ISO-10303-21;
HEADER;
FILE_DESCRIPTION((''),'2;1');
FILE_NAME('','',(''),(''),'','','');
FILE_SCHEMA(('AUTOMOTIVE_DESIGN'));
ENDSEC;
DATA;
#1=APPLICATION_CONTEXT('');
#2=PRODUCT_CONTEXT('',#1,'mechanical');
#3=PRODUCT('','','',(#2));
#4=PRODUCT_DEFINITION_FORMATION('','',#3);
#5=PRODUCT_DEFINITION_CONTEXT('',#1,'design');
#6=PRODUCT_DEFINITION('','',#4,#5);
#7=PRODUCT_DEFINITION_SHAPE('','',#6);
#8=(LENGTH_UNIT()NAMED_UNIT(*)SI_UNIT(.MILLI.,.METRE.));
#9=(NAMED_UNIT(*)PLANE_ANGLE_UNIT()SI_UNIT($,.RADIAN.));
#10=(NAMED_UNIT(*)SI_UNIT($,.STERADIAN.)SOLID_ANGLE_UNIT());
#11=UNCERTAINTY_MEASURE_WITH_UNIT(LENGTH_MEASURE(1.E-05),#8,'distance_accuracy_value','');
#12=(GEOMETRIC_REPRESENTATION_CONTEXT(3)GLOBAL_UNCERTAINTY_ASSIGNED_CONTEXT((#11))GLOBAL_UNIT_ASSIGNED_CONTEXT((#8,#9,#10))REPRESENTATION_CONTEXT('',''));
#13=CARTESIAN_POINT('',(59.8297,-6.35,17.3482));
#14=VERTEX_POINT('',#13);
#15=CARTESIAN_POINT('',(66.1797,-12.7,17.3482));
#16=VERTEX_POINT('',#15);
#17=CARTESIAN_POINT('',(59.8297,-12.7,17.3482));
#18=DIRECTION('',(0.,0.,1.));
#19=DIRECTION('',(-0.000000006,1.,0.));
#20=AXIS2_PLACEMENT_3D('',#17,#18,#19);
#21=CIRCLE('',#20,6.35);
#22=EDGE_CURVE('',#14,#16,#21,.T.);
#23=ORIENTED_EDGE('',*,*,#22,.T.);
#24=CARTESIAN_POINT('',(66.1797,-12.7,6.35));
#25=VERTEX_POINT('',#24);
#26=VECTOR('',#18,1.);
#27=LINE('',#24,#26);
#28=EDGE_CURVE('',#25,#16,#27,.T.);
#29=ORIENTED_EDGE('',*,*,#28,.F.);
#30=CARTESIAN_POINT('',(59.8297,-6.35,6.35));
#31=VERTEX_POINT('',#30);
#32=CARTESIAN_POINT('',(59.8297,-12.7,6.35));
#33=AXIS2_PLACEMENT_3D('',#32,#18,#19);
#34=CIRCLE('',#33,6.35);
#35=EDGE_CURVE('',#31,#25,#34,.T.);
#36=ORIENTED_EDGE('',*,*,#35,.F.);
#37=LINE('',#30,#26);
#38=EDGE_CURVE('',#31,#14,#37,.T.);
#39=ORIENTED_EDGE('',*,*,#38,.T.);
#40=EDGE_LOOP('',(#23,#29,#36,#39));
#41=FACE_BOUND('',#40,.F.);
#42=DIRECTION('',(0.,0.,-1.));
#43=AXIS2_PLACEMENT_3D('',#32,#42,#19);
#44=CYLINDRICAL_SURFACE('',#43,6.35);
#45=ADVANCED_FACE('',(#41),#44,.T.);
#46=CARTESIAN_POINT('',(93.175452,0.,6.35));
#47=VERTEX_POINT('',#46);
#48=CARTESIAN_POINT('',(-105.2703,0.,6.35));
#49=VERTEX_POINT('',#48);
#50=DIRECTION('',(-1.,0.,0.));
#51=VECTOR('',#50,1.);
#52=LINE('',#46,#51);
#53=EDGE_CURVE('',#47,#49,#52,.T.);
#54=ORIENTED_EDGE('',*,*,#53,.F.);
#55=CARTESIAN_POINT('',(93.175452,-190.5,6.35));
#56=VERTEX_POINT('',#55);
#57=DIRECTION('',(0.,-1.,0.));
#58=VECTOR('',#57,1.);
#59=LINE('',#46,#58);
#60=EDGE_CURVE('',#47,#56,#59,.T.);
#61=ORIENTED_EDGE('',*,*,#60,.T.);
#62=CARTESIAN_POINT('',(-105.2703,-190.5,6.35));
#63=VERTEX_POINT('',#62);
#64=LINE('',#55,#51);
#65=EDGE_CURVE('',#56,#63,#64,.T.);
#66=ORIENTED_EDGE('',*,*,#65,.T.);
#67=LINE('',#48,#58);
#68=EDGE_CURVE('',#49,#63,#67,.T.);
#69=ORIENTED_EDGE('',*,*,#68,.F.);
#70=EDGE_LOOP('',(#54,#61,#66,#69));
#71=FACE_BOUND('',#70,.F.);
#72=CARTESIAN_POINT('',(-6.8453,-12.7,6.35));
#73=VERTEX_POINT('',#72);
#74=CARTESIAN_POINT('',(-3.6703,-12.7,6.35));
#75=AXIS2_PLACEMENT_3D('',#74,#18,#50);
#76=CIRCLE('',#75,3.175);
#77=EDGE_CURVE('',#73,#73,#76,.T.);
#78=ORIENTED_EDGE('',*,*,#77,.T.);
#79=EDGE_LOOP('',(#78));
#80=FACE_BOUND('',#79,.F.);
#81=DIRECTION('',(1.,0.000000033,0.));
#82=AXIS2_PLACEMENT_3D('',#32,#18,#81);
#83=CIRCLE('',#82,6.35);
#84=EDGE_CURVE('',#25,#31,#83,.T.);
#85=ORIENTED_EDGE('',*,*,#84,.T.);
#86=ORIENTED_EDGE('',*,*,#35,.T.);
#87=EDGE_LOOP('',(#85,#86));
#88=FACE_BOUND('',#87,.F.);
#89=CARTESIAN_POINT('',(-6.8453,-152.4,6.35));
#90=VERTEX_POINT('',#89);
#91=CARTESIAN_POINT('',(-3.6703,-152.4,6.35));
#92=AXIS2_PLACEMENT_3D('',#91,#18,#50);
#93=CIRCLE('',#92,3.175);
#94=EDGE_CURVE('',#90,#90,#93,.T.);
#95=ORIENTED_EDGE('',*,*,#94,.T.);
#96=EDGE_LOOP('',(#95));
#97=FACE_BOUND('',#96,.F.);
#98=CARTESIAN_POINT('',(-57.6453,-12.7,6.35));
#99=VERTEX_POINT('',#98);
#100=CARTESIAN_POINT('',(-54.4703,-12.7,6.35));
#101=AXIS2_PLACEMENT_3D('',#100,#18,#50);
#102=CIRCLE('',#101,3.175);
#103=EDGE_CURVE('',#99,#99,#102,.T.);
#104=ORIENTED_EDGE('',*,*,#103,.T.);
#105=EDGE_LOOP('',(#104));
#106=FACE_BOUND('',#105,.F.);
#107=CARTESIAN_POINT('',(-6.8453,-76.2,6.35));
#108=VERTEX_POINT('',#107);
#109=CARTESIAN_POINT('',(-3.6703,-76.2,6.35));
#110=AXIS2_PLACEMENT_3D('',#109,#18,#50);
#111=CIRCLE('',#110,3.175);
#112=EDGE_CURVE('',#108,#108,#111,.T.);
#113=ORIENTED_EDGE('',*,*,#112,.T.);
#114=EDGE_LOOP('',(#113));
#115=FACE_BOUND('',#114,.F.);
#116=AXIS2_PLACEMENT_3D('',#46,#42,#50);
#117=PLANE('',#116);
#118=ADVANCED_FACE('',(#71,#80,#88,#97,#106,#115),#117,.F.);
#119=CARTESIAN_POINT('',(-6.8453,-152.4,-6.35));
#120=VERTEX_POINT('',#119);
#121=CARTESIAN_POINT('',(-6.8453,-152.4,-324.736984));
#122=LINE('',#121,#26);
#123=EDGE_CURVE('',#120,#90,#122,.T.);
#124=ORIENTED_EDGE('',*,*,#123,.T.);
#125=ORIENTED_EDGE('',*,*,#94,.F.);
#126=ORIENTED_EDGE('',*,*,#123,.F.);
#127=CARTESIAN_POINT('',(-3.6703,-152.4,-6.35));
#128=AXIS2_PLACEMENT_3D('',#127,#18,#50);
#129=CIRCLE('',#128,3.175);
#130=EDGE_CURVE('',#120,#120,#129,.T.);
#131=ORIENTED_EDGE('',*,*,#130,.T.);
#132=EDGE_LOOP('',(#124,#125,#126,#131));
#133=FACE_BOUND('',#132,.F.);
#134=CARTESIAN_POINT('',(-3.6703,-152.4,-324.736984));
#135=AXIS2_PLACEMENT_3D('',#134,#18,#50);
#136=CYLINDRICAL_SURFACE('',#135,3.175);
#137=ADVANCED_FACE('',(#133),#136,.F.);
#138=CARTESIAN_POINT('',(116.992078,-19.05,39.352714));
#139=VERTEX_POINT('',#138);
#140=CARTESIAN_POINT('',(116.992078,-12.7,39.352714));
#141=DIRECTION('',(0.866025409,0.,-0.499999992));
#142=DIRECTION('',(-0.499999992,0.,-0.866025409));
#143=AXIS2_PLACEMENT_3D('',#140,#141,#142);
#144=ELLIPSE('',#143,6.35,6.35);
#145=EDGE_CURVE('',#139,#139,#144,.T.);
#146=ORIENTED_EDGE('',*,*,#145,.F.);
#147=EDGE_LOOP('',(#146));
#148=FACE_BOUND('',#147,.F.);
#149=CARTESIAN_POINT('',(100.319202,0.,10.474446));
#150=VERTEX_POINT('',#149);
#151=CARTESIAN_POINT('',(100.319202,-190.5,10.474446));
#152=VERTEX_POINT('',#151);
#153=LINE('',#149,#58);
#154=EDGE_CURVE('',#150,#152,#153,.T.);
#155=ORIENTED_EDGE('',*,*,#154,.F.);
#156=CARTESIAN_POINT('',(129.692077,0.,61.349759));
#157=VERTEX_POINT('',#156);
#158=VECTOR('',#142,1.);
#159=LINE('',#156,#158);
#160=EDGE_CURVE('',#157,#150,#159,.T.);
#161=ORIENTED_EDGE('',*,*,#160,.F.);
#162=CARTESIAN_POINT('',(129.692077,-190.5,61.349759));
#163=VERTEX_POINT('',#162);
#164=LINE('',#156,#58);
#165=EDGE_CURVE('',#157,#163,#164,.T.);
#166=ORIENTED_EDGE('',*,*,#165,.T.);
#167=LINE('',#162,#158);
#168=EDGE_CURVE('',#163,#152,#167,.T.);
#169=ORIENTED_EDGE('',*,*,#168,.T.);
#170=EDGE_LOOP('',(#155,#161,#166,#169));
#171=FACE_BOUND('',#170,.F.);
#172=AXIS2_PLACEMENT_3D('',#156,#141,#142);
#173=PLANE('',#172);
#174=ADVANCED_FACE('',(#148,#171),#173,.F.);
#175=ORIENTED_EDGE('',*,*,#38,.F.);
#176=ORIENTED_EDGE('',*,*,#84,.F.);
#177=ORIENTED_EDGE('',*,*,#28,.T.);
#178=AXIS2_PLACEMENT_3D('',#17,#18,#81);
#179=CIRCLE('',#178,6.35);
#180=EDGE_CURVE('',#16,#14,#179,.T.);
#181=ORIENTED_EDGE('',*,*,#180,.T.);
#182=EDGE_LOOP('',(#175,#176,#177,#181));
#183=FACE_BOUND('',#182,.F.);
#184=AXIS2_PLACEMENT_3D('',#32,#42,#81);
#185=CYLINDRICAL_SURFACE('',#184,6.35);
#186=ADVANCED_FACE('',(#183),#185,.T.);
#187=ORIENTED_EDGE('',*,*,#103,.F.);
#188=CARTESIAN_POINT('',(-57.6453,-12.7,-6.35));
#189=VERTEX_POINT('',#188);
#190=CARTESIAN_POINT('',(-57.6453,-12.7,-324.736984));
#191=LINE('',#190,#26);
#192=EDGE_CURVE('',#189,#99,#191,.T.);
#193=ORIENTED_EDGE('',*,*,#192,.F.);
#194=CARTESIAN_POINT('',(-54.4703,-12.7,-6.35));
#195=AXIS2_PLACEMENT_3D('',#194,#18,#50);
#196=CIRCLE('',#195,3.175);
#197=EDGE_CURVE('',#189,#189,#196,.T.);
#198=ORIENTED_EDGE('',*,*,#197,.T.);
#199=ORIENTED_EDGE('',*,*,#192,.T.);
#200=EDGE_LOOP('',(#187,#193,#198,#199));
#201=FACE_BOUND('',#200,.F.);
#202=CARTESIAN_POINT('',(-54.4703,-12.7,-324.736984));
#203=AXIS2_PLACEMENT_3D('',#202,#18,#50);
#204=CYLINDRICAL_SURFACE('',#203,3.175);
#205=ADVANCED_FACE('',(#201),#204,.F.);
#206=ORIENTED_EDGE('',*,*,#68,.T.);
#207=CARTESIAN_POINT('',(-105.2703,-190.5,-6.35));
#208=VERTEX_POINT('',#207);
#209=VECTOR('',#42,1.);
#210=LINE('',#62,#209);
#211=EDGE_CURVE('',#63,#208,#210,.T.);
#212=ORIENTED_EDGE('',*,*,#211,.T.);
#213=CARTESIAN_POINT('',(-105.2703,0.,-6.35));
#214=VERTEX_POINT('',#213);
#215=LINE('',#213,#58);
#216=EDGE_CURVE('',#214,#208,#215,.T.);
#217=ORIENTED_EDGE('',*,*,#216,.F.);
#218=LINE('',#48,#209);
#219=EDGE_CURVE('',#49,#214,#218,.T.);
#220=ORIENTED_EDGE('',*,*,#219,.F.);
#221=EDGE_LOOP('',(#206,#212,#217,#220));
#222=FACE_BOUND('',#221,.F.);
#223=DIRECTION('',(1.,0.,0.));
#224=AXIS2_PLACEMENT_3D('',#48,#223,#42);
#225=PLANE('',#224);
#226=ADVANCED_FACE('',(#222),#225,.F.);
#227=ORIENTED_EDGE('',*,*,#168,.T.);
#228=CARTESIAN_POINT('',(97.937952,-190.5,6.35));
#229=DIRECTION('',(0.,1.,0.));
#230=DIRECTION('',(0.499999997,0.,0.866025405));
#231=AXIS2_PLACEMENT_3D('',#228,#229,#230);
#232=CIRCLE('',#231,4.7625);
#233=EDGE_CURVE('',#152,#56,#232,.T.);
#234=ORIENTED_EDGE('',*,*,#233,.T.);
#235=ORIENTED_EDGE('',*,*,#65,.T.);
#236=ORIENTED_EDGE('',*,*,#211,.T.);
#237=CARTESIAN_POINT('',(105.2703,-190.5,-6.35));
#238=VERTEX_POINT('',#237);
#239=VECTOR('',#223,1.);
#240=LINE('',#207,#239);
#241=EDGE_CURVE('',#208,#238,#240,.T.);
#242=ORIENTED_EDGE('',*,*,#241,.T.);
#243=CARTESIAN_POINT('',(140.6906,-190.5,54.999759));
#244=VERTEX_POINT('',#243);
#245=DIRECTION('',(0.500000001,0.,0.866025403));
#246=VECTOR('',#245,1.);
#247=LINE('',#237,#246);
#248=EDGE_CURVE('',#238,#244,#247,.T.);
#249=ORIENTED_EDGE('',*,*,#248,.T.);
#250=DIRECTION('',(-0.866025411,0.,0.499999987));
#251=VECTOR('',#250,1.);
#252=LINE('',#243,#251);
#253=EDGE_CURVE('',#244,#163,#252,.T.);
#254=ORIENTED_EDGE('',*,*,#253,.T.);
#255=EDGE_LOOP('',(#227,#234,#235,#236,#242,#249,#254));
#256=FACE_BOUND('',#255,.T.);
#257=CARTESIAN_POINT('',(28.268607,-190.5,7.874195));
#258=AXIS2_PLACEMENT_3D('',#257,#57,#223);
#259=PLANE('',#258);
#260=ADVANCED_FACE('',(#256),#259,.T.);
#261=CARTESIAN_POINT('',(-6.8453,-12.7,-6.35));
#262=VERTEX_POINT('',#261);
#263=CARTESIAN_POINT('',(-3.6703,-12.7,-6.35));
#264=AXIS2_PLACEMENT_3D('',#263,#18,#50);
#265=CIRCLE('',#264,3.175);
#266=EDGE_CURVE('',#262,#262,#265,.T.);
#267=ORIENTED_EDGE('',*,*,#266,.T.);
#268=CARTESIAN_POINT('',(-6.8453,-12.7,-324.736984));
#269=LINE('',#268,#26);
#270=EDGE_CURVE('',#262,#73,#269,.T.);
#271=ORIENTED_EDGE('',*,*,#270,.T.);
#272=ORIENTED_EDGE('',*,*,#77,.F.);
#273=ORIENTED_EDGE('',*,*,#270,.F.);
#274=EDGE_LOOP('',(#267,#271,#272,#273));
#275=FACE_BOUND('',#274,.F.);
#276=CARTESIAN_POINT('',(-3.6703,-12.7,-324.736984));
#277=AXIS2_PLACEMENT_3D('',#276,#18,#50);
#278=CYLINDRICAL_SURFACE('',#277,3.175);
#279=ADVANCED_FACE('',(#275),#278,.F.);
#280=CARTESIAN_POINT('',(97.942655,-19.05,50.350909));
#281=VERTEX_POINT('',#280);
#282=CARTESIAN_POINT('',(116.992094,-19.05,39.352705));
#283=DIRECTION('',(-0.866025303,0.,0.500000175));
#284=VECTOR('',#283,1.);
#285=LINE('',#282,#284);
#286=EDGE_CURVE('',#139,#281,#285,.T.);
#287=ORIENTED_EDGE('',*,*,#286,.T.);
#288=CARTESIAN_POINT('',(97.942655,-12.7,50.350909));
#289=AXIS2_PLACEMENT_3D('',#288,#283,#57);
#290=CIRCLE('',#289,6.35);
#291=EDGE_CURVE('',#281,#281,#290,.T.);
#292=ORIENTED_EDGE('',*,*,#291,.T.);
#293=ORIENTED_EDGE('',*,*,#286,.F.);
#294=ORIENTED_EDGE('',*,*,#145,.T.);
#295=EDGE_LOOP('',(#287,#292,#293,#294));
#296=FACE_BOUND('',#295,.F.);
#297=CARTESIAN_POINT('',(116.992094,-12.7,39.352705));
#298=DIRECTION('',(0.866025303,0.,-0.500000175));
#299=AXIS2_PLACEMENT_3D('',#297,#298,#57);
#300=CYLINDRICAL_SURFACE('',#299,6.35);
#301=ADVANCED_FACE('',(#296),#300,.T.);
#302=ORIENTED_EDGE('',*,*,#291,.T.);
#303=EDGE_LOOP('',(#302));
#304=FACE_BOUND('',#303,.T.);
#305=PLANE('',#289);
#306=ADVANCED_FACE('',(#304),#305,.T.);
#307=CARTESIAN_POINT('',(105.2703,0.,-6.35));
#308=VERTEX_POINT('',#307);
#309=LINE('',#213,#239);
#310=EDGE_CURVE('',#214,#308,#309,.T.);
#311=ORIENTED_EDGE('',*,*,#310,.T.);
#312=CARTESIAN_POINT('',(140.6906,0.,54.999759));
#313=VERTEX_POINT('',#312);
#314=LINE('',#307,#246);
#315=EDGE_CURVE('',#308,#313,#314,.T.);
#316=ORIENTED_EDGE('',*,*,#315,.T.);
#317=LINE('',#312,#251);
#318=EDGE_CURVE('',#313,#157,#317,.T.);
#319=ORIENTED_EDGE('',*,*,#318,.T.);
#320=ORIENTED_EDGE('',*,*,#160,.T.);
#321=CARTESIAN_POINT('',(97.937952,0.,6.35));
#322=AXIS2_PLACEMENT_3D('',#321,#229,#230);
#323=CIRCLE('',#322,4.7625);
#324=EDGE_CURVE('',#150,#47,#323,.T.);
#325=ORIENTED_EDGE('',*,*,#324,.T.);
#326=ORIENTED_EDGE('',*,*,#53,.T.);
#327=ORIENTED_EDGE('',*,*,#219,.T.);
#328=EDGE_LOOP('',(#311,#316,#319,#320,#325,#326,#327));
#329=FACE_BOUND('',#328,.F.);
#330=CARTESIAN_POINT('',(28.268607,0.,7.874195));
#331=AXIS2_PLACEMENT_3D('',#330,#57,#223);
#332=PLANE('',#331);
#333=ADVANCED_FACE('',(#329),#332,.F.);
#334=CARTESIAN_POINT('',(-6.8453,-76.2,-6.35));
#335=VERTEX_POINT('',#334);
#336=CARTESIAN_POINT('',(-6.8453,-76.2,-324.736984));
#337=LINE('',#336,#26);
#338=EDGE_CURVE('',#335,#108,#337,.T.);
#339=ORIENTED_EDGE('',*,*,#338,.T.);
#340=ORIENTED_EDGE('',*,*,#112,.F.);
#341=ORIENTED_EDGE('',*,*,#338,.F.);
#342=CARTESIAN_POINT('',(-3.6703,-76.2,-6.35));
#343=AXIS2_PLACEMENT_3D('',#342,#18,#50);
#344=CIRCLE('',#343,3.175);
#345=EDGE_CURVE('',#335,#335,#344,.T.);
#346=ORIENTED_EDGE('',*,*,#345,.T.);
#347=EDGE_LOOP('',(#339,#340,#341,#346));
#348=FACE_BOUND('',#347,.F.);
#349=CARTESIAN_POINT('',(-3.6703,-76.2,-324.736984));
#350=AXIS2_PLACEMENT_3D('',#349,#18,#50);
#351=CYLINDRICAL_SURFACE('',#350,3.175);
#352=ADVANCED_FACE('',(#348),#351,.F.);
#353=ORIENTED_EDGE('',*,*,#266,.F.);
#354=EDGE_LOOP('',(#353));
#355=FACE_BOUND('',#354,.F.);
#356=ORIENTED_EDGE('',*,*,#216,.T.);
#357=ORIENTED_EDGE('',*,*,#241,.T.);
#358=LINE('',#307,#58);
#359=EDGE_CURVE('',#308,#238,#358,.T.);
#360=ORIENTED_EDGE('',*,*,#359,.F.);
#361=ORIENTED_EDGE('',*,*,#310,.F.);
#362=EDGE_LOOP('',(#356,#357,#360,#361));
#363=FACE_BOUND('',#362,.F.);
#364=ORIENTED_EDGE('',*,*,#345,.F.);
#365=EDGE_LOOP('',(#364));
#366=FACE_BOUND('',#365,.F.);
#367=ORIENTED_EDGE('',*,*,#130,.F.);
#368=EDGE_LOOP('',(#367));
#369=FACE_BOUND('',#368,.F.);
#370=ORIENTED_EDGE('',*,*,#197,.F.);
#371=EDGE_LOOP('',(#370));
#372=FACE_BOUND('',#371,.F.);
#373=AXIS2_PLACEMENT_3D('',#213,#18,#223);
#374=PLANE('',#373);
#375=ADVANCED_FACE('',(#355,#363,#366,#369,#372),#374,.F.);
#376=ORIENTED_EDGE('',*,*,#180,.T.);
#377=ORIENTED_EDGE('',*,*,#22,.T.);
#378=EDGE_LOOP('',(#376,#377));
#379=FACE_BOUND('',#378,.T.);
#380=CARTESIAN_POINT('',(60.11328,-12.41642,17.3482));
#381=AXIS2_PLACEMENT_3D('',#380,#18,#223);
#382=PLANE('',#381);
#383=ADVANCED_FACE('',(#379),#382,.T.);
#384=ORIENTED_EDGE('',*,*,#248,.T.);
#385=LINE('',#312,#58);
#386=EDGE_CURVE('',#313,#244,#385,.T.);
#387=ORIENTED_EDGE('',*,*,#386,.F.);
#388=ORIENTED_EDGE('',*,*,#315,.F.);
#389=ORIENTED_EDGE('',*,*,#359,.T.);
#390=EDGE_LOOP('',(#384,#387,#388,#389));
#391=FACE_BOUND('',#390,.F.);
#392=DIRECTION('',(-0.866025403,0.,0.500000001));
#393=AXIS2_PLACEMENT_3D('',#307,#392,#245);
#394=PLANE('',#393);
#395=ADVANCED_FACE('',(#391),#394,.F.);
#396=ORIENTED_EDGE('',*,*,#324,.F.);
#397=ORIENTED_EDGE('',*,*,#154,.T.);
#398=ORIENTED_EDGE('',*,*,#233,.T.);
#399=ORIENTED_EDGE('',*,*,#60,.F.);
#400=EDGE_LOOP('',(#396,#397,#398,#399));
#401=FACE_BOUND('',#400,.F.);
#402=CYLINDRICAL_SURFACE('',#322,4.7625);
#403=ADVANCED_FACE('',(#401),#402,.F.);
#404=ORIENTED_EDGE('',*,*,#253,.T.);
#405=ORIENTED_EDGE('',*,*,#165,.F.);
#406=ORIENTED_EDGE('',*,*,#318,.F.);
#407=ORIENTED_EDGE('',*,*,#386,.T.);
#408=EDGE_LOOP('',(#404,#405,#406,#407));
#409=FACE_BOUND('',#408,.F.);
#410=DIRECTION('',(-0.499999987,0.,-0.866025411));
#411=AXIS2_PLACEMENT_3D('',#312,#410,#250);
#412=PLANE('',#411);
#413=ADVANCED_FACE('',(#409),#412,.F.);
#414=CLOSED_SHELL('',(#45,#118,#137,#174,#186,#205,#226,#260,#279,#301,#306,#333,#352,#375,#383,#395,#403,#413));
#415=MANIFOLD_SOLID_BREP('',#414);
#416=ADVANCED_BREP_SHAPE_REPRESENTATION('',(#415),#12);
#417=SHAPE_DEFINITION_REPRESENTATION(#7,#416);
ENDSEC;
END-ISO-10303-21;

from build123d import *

# Parameters (mm, degrees)
F1_DEPTH = 190.5
F3_D     = 6.35
F5_DEPTH = 10.9982
F7_DEPTH = 21.9964


with BuildPart() as f1:
    # F0 (on Front) → F1 (new body)
    with BuildSketch(Plane.XZ):
        with BuildLine():
            ThreePointArc((100.319202, 10.474446), (100.319202, 2.225554), (93.175452, 6.35))
            Line((93.175452, 6.35), (-93.175452, 6.35))
            Line((-93.175452, 6.35), (-105.2703, 6.35))
            Line((-105.2703, 6.35), (-105.2703, -6.35))
            Line((-105.2703, -6.35), (105.2703, -6.35))
            Line((105.2703, -6.35), (140.6906, 54.999759))
            Line((140.6906, 54.999759), (129.692077, 61.349759))
            Line((129.692077, 61.349759), (100.319202, 10.474446))
        make_face()
    extrude(amount=F1_DEPTH)

    # F3 (through all)
    with Locations(Plane(origin=(0, 0, -6.35), x_dir=(1, 0, 0), z_dir=(0, 0, -1))):
        with Locations((-3.6703, 152.4), (-3.6703, 76.2), (-3.6703, 12.7), (-54.4703, 12.7)):
            Hole(F3_D / 2)

    # F4 (on face) → F5 (join)
    with BuildSketch(Plane.XY.offset(6.35)):
        with BuildLine():
            ThreePointArc((59.8297, -6.35), (55.339572, -17.190128), (66.1797, -12.7))
            ThreePointArc((66.1797, -12.7), (64.319828, -8.209872), (59.8297, -6.35))
        make_face()
    extrude(amount=F5_DEPTH)

    # F6 (on face) → F7 (join)
    with BuildSketch(Plane(origin=(70.703833, 0, -40.820877), x_dir=(0, -1, 0), z_dir=(-0.866025, 0, 0.5))):
        with BuildLine():
            ThreePointArc((6.35, 92.576489), (12.7, 86.226489), (19.05, 92.576489))
            ThreePointArc((19.05, 92.576489), (12.7, 98.926489), (6.35, 92.576489))
        make_face()
    extrude(amount=F7_DEPTH)


solid = f1.part
